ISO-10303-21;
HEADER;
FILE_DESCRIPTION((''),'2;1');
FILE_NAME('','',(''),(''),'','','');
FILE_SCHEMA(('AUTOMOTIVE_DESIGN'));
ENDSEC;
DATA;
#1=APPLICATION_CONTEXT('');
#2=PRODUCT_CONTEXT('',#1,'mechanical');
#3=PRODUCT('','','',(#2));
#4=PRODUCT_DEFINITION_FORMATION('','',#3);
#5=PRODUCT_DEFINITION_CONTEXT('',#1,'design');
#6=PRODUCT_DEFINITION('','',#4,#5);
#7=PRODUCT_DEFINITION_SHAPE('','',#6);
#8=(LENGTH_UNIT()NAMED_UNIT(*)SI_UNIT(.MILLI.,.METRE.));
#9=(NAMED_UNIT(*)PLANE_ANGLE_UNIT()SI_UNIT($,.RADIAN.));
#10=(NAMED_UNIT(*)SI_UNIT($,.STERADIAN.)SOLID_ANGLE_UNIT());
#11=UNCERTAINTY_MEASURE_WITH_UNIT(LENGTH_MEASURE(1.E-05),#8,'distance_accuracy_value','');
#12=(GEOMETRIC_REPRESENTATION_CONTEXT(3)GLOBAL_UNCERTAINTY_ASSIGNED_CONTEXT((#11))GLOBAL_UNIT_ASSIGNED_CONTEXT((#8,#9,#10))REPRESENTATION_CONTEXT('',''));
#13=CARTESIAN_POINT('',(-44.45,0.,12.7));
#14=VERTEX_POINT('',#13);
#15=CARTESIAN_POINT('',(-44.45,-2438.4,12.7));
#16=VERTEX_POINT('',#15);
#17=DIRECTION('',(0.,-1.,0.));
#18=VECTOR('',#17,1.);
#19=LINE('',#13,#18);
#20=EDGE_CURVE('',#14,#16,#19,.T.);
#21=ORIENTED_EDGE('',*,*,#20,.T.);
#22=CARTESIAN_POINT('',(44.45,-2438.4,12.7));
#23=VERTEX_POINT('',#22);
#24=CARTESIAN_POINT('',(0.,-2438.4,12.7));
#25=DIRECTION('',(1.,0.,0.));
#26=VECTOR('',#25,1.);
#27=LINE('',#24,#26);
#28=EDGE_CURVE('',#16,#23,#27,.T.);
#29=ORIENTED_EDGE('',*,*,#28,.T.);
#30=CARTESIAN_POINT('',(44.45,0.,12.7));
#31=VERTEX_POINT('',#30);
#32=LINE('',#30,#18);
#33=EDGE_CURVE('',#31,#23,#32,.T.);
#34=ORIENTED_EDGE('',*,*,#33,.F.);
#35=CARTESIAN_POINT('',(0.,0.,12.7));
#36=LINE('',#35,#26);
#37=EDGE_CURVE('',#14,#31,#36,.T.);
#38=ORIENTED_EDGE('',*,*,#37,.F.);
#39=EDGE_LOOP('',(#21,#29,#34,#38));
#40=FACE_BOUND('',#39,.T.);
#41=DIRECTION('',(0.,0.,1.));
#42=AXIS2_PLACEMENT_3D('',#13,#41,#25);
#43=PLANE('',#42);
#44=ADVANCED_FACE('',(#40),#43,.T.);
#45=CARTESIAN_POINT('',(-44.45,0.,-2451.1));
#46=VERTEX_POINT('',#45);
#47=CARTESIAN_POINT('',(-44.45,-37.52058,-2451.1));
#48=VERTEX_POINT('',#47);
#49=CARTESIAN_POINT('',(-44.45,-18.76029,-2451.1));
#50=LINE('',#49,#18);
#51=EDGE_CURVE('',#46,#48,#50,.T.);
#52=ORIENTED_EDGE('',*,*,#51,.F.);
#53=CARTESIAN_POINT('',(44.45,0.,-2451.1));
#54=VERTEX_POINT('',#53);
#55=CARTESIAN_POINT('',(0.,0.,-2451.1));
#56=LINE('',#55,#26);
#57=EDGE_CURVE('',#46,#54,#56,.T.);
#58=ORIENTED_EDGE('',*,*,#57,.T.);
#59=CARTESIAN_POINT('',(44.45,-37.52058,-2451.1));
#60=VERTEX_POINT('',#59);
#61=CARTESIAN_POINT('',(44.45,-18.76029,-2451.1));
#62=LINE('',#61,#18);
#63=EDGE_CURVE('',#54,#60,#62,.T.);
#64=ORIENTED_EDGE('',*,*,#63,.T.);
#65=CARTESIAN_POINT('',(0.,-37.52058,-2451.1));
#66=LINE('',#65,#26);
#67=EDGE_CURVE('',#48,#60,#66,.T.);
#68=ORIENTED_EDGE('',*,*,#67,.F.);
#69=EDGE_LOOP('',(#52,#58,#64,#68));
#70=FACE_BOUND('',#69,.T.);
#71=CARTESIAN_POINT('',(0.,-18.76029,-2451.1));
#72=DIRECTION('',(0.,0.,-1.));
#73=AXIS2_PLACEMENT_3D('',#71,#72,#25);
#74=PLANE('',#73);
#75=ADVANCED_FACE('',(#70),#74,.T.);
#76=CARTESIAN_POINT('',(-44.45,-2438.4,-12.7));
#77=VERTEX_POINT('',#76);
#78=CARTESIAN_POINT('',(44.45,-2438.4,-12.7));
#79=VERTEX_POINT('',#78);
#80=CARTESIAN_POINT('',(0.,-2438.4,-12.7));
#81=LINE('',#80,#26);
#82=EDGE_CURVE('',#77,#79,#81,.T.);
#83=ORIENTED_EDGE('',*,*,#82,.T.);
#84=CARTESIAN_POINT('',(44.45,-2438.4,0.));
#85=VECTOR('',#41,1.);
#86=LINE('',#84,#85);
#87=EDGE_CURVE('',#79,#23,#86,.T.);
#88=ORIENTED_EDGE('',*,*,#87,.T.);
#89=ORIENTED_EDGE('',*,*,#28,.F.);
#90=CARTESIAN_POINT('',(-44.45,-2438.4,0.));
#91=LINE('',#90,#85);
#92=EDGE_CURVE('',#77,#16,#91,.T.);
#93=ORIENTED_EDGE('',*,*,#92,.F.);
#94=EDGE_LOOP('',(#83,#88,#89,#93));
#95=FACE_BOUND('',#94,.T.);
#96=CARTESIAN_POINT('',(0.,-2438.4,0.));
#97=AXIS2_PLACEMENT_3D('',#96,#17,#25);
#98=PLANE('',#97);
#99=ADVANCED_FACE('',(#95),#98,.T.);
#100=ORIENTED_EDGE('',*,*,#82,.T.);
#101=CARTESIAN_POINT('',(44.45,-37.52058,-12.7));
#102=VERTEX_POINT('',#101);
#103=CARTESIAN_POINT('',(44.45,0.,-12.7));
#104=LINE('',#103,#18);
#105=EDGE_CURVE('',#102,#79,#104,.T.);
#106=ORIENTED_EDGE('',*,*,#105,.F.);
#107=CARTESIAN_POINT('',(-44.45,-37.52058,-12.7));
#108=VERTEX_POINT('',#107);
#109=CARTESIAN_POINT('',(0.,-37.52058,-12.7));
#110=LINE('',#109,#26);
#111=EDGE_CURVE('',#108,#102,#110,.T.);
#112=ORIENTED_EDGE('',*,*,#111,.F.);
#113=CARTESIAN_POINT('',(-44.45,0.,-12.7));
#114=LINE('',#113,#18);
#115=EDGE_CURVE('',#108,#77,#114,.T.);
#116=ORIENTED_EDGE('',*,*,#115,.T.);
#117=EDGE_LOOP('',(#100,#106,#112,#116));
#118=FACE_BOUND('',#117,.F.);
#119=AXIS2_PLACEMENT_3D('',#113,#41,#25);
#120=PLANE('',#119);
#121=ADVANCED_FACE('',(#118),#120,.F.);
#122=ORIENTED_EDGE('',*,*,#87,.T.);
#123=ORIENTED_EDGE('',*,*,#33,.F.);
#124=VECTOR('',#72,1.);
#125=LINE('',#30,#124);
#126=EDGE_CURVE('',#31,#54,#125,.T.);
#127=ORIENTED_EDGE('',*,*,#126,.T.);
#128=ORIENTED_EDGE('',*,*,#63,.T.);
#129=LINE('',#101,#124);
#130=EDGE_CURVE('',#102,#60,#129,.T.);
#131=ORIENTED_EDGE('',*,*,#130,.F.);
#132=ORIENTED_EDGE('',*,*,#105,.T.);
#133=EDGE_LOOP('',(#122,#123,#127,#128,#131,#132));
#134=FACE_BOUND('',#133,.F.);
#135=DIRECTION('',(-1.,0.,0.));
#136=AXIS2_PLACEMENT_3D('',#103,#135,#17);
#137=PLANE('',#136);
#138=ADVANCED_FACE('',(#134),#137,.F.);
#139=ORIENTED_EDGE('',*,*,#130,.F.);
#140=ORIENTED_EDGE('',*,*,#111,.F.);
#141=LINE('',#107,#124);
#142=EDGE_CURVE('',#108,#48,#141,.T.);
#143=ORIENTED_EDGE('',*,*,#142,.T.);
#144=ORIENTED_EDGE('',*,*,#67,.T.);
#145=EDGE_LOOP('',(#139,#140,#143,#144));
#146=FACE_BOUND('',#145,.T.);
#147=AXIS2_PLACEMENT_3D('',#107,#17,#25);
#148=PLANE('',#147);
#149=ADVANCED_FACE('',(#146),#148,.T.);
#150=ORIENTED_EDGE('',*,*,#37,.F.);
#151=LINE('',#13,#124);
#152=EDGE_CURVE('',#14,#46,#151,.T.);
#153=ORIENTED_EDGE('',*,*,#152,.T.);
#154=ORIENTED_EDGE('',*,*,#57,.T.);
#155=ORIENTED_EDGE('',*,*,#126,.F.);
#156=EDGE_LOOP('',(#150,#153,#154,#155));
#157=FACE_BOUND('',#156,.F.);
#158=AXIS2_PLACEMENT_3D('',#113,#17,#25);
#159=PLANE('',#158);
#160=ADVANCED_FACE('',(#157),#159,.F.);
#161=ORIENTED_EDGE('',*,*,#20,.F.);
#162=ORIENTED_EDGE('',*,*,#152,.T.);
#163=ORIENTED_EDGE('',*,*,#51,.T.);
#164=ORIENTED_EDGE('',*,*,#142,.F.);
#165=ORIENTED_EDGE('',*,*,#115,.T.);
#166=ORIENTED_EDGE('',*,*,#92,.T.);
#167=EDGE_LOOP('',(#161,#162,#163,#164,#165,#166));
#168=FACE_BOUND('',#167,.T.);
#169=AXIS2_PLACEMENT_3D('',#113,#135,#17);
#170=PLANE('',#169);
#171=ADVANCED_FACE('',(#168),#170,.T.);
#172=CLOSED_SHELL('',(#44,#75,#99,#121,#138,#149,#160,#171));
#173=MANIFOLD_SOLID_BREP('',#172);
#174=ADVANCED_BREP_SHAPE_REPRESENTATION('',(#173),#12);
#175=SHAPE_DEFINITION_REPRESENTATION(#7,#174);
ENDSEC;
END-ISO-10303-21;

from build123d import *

# Parameters (mm, degrees)
F0_W     = 88.9
F0_H     = 25.4
F1_DEPTH = 2438.4
F2_W     = 88.9
F2_H     = 37.52058
F3_DEPTH = 2438.4


with BuildPart() as f1:
    # F0 (on Front) → F1 (new body)
    with BuildSketch(Plane.XZ):
        Rectangle(F0_W, F0_H)
    extrude(amount=F1_DEPTH)

    # F2 (on face) → F3 (join)
    with BuildSketch(Plane(origin=(0, 0, -12.7), x_dir=(1, 0, 0), z_dir=(0, 0, -1))):
        with Locations((0, 18.76029)):
            Rectangle(F2_W, F2_H)
    extrude(amount=F3_DEPTH)


solid = f1.part
